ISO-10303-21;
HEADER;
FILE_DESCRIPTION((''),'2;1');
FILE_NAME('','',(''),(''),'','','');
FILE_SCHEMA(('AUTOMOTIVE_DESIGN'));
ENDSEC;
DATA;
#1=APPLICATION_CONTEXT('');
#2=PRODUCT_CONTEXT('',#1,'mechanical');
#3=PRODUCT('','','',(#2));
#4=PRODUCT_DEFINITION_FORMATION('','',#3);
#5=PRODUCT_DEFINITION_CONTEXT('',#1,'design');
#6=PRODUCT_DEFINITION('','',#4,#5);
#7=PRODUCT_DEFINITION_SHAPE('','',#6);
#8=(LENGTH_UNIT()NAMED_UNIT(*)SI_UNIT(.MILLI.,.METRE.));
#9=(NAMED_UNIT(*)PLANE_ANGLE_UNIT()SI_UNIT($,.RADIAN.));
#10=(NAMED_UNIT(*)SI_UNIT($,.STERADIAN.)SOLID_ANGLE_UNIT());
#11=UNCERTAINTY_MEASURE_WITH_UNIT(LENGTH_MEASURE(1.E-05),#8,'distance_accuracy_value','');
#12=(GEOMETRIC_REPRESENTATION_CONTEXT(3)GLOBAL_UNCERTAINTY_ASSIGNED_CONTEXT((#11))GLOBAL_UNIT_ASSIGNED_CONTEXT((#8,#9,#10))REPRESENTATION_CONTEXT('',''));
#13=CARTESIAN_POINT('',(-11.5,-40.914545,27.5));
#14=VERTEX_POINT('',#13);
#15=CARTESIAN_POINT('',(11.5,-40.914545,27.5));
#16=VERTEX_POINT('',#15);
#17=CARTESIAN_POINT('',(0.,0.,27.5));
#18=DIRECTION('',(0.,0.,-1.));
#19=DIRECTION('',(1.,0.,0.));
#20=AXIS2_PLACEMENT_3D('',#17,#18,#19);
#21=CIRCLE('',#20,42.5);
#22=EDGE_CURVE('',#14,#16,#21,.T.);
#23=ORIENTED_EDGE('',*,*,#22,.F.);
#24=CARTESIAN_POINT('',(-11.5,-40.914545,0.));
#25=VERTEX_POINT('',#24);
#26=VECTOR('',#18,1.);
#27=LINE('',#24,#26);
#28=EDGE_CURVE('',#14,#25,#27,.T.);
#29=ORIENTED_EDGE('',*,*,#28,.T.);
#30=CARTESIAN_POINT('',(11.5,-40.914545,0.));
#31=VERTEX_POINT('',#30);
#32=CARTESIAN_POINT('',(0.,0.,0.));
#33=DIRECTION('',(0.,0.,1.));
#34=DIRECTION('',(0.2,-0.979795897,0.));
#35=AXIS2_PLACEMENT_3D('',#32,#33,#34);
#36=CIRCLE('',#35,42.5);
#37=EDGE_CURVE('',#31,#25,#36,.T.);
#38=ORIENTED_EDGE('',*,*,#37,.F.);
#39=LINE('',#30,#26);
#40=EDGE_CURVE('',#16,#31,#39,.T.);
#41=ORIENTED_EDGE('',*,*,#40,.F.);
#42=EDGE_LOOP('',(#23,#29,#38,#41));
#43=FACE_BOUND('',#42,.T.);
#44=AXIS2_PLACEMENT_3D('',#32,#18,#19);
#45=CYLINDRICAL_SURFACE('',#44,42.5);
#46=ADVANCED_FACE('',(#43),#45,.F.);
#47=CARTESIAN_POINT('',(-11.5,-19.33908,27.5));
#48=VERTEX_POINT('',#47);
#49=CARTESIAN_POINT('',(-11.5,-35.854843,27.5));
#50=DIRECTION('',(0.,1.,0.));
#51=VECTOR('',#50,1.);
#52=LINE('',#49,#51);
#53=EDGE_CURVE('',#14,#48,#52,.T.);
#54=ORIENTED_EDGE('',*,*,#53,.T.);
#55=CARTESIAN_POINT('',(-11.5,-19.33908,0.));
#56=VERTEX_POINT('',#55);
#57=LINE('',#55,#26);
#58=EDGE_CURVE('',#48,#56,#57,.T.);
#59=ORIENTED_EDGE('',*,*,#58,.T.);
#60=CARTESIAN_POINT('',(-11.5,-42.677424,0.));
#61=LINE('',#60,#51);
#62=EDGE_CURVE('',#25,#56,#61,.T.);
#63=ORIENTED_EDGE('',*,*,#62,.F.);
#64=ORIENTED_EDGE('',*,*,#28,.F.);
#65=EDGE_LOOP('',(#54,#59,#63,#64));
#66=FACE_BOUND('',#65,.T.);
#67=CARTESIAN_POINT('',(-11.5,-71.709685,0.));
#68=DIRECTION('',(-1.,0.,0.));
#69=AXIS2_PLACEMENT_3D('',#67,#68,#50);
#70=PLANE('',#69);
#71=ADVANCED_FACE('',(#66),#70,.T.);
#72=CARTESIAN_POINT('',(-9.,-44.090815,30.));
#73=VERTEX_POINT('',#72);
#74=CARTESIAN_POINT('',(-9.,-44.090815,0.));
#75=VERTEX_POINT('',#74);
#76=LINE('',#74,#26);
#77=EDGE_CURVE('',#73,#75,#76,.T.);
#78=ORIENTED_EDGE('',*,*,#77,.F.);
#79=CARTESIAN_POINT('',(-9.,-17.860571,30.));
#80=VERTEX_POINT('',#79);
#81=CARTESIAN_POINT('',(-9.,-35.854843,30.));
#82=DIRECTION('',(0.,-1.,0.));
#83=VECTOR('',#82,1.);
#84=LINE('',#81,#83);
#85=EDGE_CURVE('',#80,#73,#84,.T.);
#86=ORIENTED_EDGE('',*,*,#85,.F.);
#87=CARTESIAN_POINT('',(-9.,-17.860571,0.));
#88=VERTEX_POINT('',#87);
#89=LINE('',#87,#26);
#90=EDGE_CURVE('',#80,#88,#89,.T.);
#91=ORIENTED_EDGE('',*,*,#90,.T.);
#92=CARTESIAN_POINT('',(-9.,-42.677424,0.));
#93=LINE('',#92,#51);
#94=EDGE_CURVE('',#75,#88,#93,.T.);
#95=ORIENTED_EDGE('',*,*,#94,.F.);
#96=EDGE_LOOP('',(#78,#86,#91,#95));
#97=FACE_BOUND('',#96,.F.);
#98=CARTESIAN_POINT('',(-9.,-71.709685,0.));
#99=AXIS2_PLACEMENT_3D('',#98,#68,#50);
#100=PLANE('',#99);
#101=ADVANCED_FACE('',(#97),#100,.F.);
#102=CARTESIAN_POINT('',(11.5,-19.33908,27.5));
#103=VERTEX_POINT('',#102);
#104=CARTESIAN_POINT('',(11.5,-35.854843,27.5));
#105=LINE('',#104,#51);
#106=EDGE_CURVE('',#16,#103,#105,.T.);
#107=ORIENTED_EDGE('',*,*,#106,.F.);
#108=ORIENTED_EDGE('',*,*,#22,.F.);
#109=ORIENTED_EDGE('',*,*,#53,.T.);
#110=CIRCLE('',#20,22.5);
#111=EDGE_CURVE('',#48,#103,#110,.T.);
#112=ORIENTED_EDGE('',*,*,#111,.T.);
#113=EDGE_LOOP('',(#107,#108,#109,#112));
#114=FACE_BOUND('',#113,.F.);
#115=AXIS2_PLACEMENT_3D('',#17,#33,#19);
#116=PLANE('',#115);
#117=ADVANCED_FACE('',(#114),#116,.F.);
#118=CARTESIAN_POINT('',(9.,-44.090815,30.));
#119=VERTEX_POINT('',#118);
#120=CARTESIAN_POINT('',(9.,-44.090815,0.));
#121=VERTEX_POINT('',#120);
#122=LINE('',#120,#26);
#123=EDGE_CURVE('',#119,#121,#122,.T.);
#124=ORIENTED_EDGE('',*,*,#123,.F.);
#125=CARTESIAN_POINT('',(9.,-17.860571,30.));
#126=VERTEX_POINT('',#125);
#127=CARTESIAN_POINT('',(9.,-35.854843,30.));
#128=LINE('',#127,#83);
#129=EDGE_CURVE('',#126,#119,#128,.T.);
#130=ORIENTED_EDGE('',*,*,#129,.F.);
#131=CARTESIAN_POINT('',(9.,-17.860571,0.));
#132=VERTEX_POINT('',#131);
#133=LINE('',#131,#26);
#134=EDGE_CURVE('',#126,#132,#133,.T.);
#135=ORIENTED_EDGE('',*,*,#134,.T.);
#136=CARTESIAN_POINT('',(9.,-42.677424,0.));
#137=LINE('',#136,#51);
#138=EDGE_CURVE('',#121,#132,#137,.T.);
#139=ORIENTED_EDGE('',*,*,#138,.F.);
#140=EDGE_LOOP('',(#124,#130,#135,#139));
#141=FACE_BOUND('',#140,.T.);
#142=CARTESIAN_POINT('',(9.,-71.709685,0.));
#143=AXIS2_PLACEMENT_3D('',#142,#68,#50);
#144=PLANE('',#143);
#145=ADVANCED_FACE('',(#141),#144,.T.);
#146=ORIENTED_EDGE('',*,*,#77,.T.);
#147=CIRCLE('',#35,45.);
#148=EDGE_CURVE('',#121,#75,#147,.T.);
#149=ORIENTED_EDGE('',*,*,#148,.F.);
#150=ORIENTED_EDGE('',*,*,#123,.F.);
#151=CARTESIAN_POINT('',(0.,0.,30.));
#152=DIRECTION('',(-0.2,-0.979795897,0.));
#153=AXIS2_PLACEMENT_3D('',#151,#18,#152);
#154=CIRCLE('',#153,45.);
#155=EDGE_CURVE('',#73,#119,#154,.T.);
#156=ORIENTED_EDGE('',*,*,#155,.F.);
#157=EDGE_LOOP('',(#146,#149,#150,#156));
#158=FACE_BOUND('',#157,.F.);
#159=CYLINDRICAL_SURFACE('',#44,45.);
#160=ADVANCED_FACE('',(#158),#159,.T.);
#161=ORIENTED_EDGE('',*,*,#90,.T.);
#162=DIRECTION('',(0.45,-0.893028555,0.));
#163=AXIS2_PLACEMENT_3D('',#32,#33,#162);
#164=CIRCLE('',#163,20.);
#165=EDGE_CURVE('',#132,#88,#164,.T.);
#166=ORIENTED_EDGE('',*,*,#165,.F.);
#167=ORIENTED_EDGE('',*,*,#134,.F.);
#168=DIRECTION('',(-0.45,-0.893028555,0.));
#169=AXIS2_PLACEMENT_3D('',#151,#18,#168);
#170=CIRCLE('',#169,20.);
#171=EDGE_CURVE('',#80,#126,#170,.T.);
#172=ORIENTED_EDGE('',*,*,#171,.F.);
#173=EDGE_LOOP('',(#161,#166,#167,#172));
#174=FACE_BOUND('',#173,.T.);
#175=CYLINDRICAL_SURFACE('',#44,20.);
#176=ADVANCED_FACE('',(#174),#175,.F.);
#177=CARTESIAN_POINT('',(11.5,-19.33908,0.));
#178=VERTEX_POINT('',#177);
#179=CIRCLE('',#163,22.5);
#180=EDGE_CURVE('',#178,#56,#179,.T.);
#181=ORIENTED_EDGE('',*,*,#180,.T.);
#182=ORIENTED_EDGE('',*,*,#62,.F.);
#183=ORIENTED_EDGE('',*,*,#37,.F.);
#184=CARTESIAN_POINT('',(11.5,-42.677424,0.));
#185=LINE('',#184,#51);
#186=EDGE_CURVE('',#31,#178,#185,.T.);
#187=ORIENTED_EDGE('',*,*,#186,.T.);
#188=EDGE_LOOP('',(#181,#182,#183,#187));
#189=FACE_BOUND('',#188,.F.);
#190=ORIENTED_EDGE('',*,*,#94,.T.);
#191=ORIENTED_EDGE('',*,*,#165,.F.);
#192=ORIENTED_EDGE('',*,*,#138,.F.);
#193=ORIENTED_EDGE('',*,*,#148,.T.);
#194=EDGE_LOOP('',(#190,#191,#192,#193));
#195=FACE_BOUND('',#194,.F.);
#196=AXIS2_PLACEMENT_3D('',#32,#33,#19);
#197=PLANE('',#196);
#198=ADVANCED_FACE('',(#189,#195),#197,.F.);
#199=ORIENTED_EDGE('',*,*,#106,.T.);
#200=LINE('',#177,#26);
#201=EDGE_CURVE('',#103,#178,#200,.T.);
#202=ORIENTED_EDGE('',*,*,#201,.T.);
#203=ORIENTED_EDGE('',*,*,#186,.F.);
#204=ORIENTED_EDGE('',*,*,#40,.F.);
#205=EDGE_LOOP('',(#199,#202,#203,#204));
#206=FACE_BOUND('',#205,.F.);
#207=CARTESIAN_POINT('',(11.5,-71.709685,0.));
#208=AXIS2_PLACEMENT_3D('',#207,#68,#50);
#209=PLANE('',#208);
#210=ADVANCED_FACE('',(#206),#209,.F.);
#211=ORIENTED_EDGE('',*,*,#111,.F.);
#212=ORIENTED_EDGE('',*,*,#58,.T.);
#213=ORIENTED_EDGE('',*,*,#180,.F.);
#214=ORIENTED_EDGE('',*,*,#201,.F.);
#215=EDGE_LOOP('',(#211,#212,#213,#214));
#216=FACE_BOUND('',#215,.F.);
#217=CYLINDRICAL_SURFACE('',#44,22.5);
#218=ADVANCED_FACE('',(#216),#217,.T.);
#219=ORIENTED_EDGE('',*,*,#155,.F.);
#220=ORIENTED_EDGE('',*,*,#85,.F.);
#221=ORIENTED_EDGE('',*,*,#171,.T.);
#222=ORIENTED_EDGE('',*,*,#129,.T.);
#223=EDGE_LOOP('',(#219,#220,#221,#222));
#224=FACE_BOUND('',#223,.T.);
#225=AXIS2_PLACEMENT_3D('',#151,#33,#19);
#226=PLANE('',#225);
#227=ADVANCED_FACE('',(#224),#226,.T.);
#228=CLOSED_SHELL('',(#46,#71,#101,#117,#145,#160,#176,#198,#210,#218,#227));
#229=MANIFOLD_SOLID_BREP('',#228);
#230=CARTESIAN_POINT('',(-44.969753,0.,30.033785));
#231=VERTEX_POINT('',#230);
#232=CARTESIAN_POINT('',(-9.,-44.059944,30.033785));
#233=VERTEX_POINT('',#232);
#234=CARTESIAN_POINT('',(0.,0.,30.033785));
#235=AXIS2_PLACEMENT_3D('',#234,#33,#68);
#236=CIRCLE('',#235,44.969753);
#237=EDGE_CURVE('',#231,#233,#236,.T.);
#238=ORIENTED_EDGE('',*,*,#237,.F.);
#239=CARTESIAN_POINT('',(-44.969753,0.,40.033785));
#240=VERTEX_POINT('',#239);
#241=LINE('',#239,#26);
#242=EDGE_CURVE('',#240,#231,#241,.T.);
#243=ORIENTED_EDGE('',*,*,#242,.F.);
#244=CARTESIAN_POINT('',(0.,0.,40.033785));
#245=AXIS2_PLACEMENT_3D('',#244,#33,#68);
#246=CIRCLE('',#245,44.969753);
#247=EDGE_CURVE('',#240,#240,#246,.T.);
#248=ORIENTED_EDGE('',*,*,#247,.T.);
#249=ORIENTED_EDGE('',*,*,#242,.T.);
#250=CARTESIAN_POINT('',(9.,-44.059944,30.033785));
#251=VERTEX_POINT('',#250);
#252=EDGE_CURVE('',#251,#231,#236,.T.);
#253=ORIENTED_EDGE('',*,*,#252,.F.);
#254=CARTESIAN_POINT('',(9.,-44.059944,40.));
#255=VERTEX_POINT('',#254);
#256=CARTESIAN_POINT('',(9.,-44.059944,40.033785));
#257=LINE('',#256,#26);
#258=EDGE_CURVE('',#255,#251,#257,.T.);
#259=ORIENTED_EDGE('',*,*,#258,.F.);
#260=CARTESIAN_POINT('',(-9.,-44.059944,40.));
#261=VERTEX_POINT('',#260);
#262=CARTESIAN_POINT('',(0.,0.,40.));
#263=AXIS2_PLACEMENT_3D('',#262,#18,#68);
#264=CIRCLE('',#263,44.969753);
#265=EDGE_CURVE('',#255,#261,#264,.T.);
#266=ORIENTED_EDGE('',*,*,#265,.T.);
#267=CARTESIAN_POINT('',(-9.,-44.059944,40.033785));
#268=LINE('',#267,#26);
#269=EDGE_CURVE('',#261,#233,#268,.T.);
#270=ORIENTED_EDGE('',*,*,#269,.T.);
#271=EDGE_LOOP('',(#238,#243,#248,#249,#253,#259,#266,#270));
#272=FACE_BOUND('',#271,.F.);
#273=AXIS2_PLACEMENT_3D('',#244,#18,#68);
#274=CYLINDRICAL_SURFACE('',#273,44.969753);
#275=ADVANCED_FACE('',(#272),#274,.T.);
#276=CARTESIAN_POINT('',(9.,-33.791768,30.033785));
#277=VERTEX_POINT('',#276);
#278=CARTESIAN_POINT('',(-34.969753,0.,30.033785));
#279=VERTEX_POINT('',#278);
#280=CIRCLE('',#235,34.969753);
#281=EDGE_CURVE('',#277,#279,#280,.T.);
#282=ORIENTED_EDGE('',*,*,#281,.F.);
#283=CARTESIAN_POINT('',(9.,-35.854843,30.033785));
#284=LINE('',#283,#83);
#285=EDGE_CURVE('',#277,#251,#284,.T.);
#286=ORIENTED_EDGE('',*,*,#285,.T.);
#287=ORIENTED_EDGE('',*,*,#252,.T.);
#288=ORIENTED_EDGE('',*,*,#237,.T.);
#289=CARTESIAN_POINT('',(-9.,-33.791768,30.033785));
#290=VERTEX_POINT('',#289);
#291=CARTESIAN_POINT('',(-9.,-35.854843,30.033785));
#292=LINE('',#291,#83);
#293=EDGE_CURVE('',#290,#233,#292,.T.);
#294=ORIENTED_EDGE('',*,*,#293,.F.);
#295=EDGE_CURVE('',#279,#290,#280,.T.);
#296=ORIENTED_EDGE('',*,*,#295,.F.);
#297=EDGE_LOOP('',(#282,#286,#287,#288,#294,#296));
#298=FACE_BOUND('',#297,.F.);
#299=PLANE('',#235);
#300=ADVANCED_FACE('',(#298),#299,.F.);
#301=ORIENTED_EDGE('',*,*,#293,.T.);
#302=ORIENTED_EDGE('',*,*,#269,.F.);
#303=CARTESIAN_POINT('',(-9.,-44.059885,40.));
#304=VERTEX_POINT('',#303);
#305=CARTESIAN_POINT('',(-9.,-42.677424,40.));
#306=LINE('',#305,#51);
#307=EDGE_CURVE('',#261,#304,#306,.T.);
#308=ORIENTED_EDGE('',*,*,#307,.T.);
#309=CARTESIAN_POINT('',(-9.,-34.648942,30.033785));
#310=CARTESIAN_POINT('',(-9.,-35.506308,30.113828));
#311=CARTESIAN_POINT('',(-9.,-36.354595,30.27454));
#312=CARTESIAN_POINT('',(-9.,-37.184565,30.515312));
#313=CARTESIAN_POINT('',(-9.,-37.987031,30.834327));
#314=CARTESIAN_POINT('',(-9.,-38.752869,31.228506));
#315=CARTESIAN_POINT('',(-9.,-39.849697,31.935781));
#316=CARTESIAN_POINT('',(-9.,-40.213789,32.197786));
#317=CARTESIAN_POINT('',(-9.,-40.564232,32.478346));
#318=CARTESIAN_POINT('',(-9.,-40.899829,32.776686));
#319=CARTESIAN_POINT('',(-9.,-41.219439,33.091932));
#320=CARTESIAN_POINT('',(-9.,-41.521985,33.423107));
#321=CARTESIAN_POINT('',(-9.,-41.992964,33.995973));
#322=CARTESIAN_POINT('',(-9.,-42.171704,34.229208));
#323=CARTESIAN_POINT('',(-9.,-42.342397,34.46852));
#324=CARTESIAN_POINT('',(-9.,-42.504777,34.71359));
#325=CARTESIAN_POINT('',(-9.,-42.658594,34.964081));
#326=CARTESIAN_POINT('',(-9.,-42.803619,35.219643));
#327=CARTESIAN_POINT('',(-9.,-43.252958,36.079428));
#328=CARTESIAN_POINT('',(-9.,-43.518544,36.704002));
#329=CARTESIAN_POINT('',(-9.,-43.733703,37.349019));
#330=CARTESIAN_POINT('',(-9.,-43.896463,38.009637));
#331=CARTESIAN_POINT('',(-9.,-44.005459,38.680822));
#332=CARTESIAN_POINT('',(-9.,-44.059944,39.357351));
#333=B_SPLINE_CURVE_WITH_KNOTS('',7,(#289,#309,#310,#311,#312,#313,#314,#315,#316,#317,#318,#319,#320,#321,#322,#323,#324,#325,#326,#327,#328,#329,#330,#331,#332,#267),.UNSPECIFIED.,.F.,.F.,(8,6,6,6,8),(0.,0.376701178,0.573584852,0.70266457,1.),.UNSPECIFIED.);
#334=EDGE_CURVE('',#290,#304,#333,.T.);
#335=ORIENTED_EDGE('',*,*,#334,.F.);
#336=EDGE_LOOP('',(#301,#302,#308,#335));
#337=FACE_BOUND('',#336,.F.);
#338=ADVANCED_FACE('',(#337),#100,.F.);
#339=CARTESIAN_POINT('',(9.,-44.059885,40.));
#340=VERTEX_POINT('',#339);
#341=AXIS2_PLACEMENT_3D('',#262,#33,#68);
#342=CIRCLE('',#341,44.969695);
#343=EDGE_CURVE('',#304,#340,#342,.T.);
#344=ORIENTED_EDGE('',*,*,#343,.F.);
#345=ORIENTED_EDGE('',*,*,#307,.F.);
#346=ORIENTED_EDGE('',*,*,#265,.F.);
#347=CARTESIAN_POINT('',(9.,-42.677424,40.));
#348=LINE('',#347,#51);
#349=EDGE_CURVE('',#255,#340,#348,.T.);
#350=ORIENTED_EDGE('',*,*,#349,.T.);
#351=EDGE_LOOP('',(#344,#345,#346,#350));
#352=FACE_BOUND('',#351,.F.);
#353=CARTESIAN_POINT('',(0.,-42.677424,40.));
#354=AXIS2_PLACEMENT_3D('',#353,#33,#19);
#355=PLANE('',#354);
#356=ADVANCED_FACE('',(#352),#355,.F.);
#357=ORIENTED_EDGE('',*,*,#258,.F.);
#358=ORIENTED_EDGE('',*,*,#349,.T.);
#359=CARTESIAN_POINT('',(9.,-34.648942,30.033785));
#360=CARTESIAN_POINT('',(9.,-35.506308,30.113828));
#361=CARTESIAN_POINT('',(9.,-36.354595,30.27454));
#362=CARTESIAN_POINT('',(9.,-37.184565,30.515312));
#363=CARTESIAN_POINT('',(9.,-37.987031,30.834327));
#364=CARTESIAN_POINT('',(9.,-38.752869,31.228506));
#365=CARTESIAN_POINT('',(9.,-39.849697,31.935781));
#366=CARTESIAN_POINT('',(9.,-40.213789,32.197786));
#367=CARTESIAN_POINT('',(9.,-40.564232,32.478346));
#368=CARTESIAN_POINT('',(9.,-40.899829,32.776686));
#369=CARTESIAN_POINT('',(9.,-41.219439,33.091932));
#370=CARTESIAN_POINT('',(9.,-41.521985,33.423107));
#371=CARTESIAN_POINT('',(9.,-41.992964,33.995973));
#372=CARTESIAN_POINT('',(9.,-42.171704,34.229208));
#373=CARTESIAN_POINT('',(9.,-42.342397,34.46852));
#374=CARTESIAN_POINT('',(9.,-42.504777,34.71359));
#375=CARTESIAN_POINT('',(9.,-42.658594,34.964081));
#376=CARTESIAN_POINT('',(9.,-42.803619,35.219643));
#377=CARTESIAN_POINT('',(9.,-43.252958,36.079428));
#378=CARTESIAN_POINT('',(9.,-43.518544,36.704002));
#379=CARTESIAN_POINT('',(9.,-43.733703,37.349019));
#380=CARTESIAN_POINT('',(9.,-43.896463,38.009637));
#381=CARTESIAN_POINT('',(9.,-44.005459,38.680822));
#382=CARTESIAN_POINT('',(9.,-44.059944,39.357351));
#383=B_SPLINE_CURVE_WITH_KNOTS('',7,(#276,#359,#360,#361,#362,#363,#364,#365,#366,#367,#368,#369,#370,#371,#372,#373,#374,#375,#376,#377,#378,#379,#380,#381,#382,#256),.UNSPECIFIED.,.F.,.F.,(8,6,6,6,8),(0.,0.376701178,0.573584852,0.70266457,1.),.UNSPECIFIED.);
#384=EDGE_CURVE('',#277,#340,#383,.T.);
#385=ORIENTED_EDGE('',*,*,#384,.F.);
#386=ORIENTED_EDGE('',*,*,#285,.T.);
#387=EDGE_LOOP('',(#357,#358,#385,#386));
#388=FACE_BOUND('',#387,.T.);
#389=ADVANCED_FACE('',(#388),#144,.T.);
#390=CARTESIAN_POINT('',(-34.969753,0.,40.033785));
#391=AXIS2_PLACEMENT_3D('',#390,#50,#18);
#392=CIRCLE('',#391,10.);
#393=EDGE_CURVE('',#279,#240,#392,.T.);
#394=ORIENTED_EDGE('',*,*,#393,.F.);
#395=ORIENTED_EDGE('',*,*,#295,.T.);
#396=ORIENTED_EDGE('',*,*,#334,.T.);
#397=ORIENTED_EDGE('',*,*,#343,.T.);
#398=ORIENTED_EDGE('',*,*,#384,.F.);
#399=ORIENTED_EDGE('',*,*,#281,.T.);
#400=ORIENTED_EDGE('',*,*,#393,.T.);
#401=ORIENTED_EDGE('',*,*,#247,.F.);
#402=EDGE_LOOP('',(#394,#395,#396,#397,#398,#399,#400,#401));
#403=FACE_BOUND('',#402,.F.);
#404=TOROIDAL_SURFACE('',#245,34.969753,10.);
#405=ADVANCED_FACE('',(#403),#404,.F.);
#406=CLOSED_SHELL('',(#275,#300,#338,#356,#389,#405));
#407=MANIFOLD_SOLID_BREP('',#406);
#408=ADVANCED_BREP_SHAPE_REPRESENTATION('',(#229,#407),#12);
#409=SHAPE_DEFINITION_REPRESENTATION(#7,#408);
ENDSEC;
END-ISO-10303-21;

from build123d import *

# Parameters (mm, degrees)
F0_R      = 45
F2_DEPTH  = 30
F1_R      = 20
F3_DEPTH  = 40
F9_W      = 18
F9_H      = 58.0645236965
F10_DEPTH = 40
F11_T     = -2.5


with BuildPart() as f2:
    # F0 (on Top) → F2 (new body)
    with BuildSketch(Plane.XY):
        Circle(F0_R)
    extrude(amount=F2_DEPTH)


with BuildPart() as f3:
    # F1 (on Top) → F3 (new body)
    with BuildSketch(Plane.XY):
        Circle(F1_R)
    extrude(amount=F3_DEPTH)


with BuildPart() as f2_1:
    add(f2.part)

    # F4: cut F3
    add(f3.part, mode=Mode.SUBTRACT)


with BuildPart() as f7:
    # F5 (on Front) → F7 (revolve)
    with BuildSketch(Plane.XZ):
        with BuildLine():
            Line((-44.9697525129, 50.0337845905), (-44.9697525129, 40.0337845905))
            Line((-44.9697525129, 40.0337845905), (-34.9697525129, 40.0337845905))
            ThreePointArc((-34.9697525129, 40.0337845905), (-42.0408203248, 42.9627167786), (-44.9697525129, 50.0337845905))
        make_face()
    revolve(axis=Axis((0, 0, 0), (0, 0, 1)))


with BuildPart() as f7_1:
    # F8: moved
    add(f7.part.moved(Location((0, 0, -10))))


with BuildPart() as f10_tool:
    # F9 (on Top) → F10 (new body)
    with BuildSketch(Plane.XY):
        with Locations((0, -42.677423591)):
            Rectangle(F9_W, F9_H)
    extrude(amount=F10_DEPTH)


with BuildPart() as f2_2:
    add(f2_1.part)

    # F10: cut by f10_tool
    add(f10_tool.part, mode=Mode.SUBTRACT)

    # F11
    f11_openings = [f2_2.faces().sort_by_distance(p)[0] for p in [
        (0, 43.73362, 0),
    ]]
    offset(amount=F11_T, openings=f11_openings)


with BuildPart() as f7_2:
    add(f7_1.part)

    # F10: cut by f10_tool
    add(f10_tool.part, mode=Mode.SUBTRACT)


solid = Compound([f2_2.part, f7_2.part])
